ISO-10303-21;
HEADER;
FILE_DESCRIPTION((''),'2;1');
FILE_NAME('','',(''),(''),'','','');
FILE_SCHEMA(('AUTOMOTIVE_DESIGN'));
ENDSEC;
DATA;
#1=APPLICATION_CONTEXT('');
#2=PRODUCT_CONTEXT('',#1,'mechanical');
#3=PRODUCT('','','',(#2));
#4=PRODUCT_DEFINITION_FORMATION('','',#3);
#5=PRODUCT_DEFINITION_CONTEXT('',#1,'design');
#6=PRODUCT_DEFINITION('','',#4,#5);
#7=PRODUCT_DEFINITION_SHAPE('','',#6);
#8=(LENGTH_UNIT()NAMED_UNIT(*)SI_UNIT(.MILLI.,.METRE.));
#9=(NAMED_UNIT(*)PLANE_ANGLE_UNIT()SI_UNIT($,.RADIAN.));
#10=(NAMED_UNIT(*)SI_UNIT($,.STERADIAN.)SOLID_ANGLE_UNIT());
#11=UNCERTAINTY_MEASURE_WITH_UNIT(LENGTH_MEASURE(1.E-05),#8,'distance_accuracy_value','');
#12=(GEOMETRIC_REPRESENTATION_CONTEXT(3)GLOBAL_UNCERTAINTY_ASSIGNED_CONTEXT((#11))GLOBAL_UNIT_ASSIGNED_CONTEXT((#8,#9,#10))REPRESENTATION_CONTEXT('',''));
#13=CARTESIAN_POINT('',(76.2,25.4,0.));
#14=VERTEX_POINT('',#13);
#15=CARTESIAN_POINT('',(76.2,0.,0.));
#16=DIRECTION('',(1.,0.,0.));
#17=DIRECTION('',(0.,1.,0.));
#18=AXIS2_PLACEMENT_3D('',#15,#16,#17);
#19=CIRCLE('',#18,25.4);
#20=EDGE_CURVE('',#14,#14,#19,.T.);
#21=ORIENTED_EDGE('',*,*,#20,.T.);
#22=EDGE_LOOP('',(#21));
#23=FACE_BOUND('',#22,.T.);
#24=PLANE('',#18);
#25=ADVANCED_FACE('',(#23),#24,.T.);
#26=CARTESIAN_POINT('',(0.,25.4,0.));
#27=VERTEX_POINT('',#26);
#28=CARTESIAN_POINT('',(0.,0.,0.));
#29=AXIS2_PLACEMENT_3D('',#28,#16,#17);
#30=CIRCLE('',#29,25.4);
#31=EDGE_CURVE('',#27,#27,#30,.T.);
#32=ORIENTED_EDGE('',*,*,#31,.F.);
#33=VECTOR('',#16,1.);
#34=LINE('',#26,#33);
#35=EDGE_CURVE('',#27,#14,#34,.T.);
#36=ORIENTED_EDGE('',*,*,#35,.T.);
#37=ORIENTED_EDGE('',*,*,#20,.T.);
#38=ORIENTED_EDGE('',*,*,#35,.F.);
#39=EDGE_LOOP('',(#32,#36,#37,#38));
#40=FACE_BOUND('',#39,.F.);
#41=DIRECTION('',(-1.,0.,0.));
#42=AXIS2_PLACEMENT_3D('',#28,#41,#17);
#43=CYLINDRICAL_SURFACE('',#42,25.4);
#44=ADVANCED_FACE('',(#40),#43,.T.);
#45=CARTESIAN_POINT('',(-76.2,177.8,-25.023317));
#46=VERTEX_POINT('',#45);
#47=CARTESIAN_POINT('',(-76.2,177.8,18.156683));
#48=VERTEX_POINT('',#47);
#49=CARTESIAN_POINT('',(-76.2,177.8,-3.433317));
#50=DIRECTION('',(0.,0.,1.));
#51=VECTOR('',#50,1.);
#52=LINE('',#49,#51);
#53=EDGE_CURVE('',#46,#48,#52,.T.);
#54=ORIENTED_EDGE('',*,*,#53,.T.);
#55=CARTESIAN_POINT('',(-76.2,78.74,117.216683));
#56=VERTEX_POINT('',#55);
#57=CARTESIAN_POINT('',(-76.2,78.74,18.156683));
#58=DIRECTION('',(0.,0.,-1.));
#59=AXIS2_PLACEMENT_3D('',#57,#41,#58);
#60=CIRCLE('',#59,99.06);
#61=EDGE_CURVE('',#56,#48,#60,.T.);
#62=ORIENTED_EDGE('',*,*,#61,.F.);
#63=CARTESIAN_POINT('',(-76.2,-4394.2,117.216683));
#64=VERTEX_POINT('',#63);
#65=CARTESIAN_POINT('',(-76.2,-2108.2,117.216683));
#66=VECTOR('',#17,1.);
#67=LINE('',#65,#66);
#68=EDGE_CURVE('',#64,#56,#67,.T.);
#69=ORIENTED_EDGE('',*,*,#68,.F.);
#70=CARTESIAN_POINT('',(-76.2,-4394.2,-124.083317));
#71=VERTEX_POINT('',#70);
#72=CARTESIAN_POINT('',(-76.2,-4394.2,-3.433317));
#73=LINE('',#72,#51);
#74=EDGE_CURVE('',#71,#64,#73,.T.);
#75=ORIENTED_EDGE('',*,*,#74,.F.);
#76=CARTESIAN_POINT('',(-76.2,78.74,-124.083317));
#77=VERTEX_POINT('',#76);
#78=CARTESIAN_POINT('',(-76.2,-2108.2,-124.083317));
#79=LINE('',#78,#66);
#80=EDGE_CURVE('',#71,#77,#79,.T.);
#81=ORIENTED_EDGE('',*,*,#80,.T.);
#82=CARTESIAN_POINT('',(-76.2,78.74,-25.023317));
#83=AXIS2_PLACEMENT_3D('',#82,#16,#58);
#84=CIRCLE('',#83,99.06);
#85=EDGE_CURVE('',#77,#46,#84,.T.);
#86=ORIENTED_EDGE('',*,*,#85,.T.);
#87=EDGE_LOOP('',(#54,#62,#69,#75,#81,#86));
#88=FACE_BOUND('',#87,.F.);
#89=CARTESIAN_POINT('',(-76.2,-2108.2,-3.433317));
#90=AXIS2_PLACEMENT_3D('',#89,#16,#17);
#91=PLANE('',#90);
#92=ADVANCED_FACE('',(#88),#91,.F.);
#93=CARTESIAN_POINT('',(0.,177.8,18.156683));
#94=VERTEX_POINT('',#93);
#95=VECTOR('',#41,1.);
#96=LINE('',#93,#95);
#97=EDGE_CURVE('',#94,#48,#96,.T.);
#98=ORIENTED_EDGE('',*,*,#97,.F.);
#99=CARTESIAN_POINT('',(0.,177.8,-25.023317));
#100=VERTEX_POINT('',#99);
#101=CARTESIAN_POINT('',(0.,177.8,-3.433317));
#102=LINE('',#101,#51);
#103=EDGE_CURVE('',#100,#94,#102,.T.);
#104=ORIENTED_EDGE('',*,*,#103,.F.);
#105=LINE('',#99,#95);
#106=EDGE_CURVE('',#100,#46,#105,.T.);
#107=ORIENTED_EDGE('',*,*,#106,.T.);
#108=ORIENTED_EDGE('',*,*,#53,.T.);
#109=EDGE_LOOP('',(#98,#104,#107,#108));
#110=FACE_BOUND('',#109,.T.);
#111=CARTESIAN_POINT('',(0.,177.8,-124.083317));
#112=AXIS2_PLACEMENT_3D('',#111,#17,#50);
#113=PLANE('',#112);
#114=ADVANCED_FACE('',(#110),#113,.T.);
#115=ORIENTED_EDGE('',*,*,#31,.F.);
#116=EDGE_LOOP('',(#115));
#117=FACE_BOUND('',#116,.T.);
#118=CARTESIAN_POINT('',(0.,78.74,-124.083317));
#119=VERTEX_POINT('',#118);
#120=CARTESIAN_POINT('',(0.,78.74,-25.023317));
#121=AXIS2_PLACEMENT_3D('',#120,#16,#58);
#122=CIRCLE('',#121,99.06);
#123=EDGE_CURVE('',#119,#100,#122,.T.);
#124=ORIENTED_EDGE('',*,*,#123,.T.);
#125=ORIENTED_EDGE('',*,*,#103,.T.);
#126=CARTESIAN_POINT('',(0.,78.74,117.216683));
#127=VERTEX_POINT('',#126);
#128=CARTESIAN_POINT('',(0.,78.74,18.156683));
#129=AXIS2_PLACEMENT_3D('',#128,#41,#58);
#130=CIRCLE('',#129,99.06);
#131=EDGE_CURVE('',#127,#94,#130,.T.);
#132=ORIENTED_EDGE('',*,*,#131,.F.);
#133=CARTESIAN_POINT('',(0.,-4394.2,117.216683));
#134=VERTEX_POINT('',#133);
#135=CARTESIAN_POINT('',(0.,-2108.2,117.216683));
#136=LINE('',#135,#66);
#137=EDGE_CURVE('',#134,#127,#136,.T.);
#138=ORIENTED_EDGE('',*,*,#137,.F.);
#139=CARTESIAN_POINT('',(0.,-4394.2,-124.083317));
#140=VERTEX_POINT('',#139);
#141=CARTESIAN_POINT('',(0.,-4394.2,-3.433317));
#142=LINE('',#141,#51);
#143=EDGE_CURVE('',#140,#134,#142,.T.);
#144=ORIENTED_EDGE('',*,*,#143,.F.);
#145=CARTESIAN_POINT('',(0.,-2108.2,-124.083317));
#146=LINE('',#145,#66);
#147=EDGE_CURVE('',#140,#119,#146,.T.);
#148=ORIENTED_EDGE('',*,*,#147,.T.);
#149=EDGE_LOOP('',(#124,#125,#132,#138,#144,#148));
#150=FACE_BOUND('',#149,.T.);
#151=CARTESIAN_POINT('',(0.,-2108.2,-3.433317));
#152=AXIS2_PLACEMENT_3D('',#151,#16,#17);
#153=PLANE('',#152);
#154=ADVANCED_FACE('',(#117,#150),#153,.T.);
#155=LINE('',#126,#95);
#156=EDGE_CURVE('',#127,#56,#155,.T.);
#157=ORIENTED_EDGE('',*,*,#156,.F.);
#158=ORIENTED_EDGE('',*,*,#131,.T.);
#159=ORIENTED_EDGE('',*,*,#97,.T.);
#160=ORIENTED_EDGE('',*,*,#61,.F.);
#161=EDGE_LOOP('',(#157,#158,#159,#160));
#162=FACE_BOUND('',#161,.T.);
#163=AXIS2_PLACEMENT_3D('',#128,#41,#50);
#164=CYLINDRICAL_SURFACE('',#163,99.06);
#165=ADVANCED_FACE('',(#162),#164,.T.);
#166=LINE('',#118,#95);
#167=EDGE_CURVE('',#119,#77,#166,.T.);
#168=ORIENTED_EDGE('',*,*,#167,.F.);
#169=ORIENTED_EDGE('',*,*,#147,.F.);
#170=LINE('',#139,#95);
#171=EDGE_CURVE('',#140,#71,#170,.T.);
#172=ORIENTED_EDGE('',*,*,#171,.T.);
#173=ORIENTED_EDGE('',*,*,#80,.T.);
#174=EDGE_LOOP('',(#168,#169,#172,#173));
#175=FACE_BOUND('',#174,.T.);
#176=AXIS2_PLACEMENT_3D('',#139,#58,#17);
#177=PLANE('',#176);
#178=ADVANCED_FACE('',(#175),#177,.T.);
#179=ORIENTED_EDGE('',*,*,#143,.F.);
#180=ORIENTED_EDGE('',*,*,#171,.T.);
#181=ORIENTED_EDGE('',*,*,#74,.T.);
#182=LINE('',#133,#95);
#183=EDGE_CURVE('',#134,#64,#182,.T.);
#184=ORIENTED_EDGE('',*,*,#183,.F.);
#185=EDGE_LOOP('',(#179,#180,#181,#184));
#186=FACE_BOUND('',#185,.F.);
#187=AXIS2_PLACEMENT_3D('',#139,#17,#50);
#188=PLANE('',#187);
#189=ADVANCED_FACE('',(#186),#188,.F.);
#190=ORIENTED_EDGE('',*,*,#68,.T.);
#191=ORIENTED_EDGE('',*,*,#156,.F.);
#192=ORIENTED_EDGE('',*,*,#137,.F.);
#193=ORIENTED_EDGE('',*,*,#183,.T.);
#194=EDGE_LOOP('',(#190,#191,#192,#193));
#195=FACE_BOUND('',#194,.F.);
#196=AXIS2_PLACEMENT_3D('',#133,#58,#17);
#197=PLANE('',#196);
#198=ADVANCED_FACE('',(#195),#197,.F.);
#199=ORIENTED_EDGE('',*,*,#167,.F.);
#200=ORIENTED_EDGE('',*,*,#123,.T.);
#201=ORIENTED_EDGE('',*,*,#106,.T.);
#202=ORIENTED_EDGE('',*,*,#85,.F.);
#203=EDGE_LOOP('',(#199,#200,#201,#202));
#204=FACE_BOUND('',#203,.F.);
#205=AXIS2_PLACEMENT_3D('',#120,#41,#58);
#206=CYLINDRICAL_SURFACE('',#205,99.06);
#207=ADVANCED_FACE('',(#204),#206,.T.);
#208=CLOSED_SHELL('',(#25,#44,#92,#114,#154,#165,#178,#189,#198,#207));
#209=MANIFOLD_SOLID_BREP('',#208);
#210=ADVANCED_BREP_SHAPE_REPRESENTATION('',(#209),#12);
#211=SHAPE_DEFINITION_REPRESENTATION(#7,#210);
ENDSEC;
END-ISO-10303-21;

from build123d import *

# Parameters (mm, degrees)
F0_W     = 4572
F0_H     = 241.3
F1_DEPTH = 76.2
F2_R     = 25.4
F3_DEPTH = 76.2
F4_R     = 99.06


with BuildPart() as f1:
    # F0 (on Right) → F1 (new body)
    with BuildSketch(Plane.YZ):
        with Locations((-2108.2, -3.433317)):
            Rectangle(F0_W, F0_H)
    extrude(amount=-F1_DEPTH)

    # F2 (on face) → F3 (join)
    with BuildSketch(Plane.YZ):
        Circle(F2_R)
    extrude(amount=F3_DEPTH)

    # F4
    f4_edges = [f1.edges().sort_by_distance(p)[0] for p in [
        (-38.1, 177.8, 117.216683),
        (-38.1, 177.8, -124.083317),
    ]]
    fillet(f4_edges, radius=F4_R)


solid = f1.part
